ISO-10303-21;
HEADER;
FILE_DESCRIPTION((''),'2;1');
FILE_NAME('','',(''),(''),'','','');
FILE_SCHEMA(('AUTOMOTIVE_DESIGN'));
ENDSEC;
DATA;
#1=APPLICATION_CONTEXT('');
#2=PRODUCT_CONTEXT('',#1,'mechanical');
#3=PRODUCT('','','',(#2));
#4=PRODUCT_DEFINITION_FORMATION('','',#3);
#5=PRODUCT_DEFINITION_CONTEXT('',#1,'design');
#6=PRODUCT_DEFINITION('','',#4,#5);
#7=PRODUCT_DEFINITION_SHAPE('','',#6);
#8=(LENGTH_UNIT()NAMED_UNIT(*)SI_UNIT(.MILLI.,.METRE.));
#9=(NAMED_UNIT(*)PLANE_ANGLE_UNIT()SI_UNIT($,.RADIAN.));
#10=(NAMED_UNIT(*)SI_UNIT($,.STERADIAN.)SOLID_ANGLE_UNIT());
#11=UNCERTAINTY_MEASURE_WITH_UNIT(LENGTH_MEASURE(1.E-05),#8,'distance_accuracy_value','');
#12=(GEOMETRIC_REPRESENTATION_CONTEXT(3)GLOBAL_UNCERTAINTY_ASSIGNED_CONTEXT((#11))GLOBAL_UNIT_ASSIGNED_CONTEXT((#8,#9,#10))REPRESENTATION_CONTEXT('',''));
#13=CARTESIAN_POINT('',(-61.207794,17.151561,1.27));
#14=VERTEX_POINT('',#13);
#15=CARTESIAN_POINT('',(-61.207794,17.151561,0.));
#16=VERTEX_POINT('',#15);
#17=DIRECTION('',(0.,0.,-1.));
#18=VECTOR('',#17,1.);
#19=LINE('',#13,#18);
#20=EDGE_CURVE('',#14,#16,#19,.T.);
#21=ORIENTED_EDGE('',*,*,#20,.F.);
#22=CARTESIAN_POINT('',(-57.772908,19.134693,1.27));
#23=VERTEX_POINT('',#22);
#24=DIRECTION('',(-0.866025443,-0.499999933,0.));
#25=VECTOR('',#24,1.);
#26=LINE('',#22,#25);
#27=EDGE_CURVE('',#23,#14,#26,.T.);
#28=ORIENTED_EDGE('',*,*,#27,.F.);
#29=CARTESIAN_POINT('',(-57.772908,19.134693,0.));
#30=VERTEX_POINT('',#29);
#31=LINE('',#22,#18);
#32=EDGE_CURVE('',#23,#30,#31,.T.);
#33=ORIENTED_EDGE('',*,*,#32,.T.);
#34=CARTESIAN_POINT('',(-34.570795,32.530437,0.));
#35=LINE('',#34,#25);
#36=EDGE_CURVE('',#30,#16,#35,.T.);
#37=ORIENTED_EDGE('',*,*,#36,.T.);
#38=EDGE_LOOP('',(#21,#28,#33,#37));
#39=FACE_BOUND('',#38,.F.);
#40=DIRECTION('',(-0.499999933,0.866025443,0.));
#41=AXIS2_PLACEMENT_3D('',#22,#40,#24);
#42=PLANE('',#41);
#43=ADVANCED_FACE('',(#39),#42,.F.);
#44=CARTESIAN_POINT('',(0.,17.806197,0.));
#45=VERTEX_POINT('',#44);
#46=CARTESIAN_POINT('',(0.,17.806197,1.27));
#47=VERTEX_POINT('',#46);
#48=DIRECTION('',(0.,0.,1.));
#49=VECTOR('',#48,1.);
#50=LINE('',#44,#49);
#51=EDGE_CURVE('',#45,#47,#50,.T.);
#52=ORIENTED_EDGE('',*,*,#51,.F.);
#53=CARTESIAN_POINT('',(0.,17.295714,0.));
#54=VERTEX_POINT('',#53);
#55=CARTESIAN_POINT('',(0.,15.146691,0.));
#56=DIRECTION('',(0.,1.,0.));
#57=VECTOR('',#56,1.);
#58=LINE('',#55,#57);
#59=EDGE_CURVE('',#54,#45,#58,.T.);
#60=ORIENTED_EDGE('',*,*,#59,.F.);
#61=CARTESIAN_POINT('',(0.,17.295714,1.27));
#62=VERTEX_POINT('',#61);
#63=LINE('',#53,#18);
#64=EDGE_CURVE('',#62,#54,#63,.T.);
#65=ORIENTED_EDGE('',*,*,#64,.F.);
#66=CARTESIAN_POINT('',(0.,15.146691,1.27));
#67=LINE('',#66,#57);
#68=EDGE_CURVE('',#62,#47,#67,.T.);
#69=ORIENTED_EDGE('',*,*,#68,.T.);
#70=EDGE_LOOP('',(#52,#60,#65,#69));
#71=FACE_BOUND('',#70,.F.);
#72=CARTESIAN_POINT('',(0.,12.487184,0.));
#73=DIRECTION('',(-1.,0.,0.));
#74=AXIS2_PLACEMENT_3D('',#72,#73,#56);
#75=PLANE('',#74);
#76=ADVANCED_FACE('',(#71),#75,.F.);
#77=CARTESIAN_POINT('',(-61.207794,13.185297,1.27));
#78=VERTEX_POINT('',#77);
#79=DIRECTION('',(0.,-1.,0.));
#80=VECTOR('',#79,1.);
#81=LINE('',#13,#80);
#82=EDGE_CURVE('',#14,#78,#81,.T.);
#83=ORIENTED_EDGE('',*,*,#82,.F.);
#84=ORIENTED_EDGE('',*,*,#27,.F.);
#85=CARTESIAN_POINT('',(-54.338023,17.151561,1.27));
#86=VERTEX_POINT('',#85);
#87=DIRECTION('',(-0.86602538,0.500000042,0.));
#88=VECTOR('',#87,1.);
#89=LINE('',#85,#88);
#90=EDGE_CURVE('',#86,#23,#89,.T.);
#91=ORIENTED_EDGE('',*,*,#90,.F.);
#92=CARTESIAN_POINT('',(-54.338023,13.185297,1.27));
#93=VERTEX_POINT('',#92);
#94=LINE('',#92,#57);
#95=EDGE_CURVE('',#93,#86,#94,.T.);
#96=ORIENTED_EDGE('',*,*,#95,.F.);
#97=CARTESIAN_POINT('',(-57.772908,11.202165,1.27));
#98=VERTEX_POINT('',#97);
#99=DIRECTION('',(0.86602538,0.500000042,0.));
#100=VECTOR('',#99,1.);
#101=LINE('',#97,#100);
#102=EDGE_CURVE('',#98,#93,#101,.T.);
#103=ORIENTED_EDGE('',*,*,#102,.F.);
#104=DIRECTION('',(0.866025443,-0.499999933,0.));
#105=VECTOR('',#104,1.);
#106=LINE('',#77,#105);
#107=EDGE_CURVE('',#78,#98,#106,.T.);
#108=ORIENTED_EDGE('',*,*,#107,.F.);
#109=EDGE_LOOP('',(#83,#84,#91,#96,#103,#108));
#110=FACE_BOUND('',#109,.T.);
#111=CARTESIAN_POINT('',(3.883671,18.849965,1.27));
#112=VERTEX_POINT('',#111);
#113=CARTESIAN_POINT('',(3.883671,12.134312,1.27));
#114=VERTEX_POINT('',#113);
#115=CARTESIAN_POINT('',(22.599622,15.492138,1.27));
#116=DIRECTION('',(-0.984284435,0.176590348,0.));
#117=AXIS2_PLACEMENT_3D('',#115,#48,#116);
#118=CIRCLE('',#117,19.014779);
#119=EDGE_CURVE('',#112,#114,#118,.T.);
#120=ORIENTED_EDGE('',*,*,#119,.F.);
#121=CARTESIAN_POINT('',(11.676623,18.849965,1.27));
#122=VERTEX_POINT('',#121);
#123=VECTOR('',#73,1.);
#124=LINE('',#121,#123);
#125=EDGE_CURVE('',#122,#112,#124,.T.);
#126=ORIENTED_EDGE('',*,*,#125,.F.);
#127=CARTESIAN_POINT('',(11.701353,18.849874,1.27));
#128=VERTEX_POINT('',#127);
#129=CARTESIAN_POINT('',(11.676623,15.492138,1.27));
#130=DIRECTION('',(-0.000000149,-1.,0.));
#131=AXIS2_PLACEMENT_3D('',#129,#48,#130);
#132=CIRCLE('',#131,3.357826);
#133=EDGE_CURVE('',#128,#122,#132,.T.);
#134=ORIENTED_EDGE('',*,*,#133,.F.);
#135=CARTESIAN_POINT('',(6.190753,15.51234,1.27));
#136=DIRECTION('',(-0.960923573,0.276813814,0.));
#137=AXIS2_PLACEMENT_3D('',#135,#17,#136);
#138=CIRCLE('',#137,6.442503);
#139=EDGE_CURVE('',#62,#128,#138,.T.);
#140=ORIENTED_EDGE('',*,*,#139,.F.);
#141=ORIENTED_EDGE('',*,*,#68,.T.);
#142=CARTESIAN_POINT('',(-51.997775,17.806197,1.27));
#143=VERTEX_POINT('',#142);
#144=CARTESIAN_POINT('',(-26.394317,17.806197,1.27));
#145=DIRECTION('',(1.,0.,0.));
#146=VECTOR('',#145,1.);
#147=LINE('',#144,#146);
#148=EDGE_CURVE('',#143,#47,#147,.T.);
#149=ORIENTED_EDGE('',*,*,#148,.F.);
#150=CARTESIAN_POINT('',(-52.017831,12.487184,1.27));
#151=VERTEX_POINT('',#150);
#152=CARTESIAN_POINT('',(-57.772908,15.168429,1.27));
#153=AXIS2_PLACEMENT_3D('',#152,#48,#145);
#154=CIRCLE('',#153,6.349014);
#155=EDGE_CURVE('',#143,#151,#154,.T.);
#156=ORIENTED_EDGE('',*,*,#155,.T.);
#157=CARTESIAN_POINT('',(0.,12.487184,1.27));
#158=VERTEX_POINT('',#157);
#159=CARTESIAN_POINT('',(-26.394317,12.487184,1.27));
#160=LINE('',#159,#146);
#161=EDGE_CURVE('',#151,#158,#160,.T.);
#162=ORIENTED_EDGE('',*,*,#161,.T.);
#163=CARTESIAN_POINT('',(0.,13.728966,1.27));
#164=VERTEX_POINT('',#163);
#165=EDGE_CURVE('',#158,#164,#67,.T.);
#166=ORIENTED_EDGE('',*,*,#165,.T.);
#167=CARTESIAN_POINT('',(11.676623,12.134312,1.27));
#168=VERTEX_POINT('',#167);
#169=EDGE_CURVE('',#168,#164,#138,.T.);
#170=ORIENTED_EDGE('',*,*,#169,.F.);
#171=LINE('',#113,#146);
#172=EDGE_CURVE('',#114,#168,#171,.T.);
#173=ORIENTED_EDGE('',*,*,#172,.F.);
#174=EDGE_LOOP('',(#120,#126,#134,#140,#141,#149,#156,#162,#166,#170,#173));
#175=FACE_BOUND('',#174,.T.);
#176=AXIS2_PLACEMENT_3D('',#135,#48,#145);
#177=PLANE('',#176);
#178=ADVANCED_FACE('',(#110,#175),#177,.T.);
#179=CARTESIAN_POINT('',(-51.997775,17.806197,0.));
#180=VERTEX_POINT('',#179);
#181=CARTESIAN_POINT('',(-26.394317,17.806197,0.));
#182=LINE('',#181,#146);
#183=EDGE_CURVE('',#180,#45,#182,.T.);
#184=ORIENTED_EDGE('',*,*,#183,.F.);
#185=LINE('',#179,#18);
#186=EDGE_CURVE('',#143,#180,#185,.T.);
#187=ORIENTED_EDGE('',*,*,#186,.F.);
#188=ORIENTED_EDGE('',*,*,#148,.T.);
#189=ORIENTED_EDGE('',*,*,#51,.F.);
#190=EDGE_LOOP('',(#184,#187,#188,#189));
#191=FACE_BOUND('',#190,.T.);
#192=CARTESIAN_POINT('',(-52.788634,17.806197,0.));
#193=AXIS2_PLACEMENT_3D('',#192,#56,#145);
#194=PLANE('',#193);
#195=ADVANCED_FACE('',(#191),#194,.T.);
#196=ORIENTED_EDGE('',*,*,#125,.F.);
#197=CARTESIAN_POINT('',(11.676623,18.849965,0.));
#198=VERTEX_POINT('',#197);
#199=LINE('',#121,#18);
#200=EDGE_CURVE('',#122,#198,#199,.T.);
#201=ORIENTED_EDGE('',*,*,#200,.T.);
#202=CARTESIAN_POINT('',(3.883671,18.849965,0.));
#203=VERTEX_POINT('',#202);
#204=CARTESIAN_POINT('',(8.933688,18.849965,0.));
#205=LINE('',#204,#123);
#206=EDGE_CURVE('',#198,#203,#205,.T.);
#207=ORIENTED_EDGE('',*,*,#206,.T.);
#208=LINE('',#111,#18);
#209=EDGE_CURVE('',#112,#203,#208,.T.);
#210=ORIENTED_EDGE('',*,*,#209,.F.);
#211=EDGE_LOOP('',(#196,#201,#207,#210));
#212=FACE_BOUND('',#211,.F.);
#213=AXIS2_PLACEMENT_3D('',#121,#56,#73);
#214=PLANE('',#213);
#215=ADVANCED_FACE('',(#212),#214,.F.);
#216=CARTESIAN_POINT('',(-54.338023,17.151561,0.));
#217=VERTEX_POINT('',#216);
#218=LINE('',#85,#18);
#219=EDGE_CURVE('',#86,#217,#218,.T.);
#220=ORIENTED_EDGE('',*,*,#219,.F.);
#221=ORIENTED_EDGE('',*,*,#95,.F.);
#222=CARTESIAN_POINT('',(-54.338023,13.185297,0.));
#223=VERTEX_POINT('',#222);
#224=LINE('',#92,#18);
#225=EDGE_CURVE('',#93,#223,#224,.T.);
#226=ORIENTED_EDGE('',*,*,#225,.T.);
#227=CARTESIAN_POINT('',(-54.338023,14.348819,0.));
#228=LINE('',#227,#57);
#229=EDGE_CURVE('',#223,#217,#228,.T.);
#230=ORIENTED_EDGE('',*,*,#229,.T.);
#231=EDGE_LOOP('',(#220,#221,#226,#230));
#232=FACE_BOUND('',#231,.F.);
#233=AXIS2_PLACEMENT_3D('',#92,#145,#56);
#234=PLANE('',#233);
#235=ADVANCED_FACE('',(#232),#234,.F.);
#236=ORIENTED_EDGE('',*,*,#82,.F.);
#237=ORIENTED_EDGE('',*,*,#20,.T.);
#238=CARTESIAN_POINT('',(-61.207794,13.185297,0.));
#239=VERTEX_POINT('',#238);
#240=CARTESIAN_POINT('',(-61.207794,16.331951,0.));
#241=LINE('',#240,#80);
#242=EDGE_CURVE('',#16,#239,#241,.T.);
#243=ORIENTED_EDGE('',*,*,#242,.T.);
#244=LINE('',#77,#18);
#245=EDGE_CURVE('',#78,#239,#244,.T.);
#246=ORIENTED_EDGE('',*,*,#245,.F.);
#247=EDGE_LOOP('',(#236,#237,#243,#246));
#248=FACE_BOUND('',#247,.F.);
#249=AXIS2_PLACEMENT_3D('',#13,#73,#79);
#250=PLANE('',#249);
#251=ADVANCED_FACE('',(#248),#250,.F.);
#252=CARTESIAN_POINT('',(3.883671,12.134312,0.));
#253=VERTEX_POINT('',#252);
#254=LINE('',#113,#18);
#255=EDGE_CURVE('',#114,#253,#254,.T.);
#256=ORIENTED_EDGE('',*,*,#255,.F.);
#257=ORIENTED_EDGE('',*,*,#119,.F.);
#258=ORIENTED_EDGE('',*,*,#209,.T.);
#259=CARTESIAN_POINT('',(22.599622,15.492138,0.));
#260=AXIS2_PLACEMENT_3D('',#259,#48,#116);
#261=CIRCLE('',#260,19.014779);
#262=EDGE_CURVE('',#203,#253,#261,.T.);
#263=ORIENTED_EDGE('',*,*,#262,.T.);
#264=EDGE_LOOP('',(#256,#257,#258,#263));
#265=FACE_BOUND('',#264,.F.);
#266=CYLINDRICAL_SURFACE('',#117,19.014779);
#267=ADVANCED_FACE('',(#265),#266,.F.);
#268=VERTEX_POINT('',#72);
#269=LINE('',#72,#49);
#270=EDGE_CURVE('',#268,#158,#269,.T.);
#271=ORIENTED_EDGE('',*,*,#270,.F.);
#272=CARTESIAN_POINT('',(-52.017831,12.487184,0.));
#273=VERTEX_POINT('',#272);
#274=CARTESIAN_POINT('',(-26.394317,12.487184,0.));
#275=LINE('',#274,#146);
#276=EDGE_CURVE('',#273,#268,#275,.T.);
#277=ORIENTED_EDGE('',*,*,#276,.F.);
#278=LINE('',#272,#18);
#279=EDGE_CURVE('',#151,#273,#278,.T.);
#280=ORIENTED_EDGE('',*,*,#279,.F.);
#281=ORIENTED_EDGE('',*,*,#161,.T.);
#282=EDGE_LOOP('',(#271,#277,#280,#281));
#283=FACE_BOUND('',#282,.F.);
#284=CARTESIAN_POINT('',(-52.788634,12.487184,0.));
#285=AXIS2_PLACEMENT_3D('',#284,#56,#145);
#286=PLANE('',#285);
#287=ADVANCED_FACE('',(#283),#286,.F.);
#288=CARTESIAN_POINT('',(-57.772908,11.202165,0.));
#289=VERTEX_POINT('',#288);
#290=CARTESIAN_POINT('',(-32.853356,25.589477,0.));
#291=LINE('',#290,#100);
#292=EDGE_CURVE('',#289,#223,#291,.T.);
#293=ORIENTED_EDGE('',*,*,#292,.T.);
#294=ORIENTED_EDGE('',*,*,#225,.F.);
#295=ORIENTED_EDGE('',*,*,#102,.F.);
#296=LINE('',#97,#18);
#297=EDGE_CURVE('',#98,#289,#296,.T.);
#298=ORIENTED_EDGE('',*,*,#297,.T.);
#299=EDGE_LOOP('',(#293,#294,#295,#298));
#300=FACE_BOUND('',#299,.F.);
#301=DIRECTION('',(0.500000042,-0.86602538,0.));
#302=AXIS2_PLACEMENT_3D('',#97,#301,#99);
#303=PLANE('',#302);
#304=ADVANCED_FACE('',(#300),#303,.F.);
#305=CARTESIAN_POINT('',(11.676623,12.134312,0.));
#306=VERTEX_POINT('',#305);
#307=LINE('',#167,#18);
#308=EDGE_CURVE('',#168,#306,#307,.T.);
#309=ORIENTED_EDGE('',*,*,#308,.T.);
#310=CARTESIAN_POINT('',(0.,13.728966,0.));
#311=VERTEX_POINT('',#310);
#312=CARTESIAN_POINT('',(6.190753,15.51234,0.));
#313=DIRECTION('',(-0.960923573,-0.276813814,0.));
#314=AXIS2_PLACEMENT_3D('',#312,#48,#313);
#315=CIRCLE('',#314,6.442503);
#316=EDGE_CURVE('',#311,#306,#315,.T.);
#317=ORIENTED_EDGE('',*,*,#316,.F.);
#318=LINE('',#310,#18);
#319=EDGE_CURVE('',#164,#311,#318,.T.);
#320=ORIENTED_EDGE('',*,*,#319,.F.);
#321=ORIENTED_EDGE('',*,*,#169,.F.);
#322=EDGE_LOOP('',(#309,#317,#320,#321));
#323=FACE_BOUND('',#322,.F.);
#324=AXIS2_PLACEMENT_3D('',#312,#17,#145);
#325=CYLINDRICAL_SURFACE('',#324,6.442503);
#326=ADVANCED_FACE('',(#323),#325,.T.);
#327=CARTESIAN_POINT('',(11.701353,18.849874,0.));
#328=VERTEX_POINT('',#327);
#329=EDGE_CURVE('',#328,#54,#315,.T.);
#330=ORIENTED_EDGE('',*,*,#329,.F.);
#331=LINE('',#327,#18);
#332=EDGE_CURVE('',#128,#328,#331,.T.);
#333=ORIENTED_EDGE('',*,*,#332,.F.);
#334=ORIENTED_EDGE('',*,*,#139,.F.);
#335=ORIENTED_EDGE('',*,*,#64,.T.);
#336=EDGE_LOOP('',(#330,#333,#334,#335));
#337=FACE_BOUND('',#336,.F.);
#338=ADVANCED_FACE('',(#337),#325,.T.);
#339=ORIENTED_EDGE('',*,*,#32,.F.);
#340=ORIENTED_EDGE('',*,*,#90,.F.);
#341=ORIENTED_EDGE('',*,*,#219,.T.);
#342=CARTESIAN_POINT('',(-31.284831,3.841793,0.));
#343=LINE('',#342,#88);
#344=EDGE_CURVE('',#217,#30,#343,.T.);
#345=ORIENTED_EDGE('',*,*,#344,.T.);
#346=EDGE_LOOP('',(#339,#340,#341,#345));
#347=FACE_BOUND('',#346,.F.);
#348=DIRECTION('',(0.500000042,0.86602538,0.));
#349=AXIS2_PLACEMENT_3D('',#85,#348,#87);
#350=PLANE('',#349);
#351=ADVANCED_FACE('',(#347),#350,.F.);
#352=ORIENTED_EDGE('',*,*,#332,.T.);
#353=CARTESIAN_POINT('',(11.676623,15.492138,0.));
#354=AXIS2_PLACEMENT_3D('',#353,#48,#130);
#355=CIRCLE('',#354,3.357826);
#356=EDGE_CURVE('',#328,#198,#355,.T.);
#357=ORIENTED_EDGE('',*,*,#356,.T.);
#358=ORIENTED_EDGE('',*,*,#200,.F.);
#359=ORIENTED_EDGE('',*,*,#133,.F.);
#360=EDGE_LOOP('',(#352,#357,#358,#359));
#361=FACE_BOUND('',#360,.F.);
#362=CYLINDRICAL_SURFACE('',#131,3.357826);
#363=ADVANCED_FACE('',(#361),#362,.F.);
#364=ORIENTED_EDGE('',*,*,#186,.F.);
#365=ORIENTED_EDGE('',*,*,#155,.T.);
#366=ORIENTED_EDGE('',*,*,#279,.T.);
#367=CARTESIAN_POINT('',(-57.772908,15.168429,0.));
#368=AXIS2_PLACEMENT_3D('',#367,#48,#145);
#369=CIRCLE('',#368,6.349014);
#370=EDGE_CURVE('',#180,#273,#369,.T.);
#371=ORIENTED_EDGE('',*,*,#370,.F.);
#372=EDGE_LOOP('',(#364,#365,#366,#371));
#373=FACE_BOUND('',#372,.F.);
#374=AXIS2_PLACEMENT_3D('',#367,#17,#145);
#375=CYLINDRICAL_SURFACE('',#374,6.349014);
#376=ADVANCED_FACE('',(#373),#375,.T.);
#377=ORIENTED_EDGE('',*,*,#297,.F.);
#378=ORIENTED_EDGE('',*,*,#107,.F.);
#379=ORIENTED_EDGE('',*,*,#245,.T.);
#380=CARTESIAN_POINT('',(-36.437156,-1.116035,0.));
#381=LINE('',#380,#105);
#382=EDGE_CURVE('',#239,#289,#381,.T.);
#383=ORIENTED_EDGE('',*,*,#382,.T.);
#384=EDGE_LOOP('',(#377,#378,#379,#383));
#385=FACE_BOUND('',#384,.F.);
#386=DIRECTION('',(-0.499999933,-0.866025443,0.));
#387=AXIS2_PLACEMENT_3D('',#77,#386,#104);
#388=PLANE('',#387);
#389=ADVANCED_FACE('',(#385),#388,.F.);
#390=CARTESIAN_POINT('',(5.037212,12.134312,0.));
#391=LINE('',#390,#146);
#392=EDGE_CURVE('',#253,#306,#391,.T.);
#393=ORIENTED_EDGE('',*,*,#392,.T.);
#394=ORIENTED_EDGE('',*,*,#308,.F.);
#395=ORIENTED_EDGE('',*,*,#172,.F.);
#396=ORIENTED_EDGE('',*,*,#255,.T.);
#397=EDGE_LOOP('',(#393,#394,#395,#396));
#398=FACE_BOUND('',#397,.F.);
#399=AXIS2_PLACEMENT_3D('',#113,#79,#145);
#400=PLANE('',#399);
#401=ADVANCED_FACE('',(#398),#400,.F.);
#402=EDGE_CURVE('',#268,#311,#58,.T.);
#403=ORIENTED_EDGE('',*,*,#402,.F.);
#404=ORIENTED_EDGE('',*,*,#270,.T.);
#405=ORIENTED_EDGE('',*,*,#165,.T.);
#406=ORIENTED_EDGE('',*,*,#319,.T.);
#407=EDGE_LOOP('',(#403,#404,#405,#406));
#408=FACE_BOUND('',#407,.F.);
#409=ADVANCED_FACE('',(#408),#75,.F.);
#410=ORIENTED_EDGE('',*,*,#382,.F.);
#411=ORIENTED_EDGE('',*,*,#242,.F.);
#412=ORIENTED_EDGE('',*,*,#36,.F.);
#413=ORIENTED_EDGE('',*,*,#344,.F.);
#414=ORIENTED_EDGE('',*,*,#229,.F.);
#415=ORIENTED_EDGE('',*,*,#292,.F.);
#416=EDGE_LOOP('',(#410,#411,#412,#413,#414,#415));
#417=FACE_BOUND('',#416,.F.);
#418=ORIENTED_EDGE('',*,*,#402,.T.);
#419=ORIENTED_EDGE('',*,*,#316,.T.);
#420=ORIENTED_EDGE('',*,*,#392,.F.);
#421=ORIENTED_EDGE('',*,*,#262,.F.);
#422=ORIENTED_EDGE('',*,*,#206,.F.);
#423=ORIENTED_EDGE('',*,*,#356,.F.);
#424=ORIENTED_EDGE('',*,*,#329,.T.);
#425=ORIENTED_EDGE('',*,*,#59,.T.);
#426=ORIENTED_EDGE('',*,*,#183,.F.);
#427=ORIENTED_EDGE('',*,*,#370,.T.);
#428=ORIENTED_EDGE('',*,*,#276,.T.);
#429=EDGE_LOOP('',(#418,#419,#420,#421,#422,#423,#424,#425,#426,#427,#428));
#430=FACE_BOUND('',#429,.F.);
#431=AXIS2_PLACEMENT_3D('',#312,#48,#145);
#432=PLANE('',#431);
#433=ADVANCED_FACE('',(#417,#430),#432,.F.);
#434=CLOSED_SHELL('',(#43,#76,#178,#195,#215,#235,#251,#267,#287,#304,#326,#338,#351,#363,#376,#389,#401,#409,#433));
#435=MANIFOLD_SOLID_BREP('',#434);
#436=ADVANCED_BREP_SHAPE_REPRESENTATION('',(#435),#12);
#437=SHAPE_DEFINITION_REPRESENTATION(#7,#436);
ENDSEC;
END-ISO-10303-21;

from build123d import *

# Parameters (mm, degrees)
F0_R          = 6.349014
F1_DEPTH      = 1.27
F2_DEPTH      = 1.27
F3_W          = 52.788634
F3_H          = 5.319013
F4_DEPTH      = 1.27
F5_R          = 6.442503
F6_DEPTH      = 1.27
F8_DEPTH      = 12.7
F8_DEPTH_BACK = 25.4
F10_DEPTH     = 12.7


with BuildPart() as f1:
    # F0 (on Top) → F1 (new body)
    with BuildSketch(Plane.XY):
        with Locations((-57.772908, 15.168429)):
            Circle(F0_R)
    extrude(amount=F1_DEPTH)

    # F0 (on Top) → F2 (join)
    with BuildSketch(Plane.XY):
        with Locations((-57.772908, 15.168429)):
            Circle(F0_R)
    extrude(amount=F2_DEPTH)

    # F3 (on Top) → F4 (join)
    with BuildSketch(Plane.XY):
        with Locations((-26.394317, 15.146691)):
            Rectangle(F3_W, F3_H)
    extrude(amount=F4_DEPTH)

    # F5 (on Top) → F6 (join)
    with BuildSketch(Plane.XY):
        with Locations((6.190753, 15.51234)):
            Circle(F5_R)
    extrude(amount=F6_DEPTH)

    # F7 (on face) → F8 (cut, two sides)
    with BuildSketch(Plane.XY.offset(1.27)) as f8_sk:
        Polygon((-54.338023, 13.185297), (-54.338023, 17.151561), (-57.772908, 19.134693), (-61.207794, 17.151561), (-61.207794, 13.185297), (-57.772908, 11.202165), align=None)
    extrude(amount=-F8_DEPTH, mode=Mode.SUBTRACT)
    extrude(f8_sk.sketch, amount=-F8_DEPTH_BACK, mode=Mode.SUBTRACT)

    # F9 (on face) → F10 (cut)
    with BuildSketch(Plane.XY.offset(1.27)):
        with BuildLine():
            Line((3.883671, 12.134312), (11.676623, 12.134312))
            ThreePointArc((11.676623, 12.134312), (15.03445, 15.492139), (11.676623, 18.849965))
            Line((11.676623, 18.849965), (3.883671, 18.849965))
            ThreePointArc((3.883671, 18.849965), (3.584843, 15.492139), (3.883671, 12.134312))
        make_face()
    extrude(amount=-F10_DEPTH, mode=Mode.SUBTRACT)


solid = f1.part
